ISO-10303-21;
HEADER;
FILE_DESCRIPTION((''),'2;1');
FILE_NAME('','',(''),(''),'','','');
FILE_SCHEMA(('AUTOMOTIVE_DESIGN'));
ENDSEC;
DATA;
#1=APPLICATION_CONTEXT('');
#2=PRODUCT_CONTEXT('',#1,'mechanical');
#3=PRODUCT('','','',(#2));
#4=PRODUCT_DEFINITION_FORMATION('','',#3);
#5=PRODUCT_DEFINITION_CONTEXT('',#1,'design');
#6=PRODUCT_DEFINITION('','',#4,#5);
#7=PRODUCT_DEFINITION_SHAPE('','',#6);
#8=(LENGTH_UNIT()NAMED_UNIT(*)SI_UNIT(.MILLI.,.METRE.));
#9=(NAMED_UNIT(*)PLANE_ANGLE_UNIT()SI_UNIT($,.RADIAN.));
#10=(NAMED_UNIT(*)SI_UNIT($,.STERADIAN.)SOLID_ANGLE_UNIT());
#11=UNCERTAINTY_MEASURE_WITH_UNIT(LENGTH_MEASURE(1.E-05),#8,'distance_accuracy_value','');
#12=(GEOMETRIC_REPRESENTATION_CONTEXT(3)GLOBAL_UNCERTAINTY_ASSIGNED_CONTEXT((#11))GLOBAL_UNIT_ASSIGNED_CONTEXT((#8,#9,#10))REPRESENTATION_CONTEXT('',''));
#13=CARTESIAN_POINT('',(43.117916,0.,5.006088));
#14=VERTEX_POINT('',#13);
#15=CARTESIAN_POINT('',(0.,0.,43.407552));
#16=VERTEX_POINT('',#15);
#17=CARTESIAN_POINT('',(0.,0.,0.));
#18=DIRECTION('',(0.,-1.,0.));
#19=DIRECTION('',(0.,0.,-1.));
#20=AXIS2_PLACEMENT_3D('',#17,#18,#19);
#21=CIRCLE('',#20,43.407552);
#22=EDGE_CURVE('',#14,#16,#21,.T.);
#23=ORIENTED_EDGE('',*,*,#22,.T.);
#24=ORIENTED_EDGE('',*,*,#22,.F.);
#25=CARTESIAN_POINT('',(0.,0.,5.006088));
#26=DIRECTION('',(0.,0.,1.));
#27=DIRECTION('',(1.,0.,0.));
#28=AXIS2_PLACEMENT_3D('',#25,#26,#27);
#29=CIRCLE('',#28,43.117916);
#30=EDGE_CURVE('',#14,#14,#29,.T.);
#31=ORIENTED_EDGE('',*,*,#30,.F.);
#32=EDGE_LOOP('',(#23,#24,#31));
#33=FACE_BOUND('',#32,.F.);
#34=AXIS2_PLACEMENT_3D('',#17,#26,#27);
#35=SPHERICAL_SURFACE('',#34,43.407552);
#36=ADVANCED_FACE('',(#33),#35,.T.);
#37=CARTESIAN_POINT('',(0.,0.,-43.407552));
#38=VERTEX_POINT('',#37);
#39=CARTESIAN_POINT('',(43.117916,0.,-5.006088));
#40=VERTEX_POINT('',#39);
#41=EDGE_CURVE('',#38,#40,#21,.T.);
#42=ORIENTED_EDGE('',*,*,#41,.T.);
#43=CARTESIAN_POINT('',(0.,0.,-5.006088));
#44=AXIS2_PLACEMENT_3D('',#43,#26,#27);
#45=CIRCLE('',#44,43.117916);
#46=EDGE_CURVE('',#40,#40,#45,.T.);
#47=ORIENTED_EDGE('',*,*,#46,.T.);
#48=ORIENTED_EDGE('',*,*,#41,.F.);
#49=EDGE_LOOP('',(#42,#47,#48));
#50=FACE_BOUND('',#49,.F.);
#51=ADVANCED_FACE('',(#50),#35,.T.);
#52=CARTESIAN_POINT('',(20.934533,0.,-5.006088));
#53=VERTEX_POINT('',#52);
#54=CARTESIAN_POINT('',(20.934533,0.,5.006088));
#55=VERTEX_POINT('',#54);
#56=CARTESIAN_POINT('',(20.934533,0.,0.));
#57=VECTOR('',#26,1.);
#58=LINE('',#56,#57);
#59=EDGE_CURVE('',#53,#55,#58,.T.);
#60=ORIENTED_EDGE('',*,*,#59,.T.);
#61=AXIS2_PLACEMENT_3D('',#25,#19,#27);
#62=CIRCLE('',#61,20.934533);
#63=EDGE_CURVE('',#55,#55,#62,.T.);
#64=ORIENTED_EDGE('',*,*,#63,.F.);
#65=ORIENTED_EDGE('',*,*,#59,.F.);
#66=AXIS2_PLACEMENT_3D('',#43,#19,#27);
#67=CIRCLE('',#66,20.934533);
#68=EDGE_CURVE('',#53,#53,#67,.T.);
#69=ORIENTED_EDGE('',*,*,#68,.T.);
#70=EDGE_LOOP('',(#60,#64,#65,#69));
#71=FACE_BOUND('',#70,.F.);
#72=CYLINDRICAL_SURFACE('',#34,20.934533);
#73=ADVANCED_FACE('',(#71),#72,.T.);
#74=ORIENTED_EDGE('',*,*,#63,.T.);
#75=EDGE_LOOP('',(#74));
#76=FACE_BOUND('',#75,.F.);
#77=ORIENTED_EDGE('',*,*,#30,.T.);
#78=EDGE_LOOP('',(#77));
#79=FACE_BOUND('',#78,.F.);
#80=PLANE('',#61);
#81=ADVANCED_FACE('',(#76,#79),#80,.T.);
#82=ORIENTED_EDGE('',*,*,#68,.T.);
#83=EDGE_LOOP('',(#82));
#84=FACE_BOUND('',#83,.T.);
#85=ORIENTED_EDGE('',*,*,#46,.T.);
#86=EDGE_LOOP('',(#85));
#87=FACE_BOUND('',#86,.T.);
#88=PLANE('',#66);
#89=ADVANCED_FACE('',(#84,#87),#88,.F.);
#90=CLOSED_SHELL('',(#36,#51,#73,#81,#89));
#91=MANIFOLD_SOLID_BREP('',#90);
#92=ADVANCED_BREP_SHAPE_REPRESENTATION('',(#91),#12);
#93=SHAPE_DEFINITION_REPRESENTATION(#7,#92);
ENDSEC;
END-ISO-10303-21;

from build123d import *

# Parameters (mm, degrees)
F2_W = 32.767102
F2_H = 10.012176


with BuildPart() as f1:
    # F0 (on Front) → F1 (revolve)
    with BuildSketch(Plane.XZ):
        with BuildLine():
            Line((0, 43.407552), (0, -43.407552))
            ThreePointArc((0, -43.407552), (43.407552, 0), (0, 43.407552))
        make_face()
    revolve(axis=Axis((0, 0, 0), (0, 0, -1)))

    # F2 (on Front) → F3 (revolve, cut)
    with BuildSketch(Plane.XZ):
        with Locations((37.318084, 0)):
            Rectangle(F2_W, F2_H)
    revolve(axis=Axis((0, 0, 1.365298), (0, 0, -1)), mode=Mode.SUBTRACT)


solid = f1.part
